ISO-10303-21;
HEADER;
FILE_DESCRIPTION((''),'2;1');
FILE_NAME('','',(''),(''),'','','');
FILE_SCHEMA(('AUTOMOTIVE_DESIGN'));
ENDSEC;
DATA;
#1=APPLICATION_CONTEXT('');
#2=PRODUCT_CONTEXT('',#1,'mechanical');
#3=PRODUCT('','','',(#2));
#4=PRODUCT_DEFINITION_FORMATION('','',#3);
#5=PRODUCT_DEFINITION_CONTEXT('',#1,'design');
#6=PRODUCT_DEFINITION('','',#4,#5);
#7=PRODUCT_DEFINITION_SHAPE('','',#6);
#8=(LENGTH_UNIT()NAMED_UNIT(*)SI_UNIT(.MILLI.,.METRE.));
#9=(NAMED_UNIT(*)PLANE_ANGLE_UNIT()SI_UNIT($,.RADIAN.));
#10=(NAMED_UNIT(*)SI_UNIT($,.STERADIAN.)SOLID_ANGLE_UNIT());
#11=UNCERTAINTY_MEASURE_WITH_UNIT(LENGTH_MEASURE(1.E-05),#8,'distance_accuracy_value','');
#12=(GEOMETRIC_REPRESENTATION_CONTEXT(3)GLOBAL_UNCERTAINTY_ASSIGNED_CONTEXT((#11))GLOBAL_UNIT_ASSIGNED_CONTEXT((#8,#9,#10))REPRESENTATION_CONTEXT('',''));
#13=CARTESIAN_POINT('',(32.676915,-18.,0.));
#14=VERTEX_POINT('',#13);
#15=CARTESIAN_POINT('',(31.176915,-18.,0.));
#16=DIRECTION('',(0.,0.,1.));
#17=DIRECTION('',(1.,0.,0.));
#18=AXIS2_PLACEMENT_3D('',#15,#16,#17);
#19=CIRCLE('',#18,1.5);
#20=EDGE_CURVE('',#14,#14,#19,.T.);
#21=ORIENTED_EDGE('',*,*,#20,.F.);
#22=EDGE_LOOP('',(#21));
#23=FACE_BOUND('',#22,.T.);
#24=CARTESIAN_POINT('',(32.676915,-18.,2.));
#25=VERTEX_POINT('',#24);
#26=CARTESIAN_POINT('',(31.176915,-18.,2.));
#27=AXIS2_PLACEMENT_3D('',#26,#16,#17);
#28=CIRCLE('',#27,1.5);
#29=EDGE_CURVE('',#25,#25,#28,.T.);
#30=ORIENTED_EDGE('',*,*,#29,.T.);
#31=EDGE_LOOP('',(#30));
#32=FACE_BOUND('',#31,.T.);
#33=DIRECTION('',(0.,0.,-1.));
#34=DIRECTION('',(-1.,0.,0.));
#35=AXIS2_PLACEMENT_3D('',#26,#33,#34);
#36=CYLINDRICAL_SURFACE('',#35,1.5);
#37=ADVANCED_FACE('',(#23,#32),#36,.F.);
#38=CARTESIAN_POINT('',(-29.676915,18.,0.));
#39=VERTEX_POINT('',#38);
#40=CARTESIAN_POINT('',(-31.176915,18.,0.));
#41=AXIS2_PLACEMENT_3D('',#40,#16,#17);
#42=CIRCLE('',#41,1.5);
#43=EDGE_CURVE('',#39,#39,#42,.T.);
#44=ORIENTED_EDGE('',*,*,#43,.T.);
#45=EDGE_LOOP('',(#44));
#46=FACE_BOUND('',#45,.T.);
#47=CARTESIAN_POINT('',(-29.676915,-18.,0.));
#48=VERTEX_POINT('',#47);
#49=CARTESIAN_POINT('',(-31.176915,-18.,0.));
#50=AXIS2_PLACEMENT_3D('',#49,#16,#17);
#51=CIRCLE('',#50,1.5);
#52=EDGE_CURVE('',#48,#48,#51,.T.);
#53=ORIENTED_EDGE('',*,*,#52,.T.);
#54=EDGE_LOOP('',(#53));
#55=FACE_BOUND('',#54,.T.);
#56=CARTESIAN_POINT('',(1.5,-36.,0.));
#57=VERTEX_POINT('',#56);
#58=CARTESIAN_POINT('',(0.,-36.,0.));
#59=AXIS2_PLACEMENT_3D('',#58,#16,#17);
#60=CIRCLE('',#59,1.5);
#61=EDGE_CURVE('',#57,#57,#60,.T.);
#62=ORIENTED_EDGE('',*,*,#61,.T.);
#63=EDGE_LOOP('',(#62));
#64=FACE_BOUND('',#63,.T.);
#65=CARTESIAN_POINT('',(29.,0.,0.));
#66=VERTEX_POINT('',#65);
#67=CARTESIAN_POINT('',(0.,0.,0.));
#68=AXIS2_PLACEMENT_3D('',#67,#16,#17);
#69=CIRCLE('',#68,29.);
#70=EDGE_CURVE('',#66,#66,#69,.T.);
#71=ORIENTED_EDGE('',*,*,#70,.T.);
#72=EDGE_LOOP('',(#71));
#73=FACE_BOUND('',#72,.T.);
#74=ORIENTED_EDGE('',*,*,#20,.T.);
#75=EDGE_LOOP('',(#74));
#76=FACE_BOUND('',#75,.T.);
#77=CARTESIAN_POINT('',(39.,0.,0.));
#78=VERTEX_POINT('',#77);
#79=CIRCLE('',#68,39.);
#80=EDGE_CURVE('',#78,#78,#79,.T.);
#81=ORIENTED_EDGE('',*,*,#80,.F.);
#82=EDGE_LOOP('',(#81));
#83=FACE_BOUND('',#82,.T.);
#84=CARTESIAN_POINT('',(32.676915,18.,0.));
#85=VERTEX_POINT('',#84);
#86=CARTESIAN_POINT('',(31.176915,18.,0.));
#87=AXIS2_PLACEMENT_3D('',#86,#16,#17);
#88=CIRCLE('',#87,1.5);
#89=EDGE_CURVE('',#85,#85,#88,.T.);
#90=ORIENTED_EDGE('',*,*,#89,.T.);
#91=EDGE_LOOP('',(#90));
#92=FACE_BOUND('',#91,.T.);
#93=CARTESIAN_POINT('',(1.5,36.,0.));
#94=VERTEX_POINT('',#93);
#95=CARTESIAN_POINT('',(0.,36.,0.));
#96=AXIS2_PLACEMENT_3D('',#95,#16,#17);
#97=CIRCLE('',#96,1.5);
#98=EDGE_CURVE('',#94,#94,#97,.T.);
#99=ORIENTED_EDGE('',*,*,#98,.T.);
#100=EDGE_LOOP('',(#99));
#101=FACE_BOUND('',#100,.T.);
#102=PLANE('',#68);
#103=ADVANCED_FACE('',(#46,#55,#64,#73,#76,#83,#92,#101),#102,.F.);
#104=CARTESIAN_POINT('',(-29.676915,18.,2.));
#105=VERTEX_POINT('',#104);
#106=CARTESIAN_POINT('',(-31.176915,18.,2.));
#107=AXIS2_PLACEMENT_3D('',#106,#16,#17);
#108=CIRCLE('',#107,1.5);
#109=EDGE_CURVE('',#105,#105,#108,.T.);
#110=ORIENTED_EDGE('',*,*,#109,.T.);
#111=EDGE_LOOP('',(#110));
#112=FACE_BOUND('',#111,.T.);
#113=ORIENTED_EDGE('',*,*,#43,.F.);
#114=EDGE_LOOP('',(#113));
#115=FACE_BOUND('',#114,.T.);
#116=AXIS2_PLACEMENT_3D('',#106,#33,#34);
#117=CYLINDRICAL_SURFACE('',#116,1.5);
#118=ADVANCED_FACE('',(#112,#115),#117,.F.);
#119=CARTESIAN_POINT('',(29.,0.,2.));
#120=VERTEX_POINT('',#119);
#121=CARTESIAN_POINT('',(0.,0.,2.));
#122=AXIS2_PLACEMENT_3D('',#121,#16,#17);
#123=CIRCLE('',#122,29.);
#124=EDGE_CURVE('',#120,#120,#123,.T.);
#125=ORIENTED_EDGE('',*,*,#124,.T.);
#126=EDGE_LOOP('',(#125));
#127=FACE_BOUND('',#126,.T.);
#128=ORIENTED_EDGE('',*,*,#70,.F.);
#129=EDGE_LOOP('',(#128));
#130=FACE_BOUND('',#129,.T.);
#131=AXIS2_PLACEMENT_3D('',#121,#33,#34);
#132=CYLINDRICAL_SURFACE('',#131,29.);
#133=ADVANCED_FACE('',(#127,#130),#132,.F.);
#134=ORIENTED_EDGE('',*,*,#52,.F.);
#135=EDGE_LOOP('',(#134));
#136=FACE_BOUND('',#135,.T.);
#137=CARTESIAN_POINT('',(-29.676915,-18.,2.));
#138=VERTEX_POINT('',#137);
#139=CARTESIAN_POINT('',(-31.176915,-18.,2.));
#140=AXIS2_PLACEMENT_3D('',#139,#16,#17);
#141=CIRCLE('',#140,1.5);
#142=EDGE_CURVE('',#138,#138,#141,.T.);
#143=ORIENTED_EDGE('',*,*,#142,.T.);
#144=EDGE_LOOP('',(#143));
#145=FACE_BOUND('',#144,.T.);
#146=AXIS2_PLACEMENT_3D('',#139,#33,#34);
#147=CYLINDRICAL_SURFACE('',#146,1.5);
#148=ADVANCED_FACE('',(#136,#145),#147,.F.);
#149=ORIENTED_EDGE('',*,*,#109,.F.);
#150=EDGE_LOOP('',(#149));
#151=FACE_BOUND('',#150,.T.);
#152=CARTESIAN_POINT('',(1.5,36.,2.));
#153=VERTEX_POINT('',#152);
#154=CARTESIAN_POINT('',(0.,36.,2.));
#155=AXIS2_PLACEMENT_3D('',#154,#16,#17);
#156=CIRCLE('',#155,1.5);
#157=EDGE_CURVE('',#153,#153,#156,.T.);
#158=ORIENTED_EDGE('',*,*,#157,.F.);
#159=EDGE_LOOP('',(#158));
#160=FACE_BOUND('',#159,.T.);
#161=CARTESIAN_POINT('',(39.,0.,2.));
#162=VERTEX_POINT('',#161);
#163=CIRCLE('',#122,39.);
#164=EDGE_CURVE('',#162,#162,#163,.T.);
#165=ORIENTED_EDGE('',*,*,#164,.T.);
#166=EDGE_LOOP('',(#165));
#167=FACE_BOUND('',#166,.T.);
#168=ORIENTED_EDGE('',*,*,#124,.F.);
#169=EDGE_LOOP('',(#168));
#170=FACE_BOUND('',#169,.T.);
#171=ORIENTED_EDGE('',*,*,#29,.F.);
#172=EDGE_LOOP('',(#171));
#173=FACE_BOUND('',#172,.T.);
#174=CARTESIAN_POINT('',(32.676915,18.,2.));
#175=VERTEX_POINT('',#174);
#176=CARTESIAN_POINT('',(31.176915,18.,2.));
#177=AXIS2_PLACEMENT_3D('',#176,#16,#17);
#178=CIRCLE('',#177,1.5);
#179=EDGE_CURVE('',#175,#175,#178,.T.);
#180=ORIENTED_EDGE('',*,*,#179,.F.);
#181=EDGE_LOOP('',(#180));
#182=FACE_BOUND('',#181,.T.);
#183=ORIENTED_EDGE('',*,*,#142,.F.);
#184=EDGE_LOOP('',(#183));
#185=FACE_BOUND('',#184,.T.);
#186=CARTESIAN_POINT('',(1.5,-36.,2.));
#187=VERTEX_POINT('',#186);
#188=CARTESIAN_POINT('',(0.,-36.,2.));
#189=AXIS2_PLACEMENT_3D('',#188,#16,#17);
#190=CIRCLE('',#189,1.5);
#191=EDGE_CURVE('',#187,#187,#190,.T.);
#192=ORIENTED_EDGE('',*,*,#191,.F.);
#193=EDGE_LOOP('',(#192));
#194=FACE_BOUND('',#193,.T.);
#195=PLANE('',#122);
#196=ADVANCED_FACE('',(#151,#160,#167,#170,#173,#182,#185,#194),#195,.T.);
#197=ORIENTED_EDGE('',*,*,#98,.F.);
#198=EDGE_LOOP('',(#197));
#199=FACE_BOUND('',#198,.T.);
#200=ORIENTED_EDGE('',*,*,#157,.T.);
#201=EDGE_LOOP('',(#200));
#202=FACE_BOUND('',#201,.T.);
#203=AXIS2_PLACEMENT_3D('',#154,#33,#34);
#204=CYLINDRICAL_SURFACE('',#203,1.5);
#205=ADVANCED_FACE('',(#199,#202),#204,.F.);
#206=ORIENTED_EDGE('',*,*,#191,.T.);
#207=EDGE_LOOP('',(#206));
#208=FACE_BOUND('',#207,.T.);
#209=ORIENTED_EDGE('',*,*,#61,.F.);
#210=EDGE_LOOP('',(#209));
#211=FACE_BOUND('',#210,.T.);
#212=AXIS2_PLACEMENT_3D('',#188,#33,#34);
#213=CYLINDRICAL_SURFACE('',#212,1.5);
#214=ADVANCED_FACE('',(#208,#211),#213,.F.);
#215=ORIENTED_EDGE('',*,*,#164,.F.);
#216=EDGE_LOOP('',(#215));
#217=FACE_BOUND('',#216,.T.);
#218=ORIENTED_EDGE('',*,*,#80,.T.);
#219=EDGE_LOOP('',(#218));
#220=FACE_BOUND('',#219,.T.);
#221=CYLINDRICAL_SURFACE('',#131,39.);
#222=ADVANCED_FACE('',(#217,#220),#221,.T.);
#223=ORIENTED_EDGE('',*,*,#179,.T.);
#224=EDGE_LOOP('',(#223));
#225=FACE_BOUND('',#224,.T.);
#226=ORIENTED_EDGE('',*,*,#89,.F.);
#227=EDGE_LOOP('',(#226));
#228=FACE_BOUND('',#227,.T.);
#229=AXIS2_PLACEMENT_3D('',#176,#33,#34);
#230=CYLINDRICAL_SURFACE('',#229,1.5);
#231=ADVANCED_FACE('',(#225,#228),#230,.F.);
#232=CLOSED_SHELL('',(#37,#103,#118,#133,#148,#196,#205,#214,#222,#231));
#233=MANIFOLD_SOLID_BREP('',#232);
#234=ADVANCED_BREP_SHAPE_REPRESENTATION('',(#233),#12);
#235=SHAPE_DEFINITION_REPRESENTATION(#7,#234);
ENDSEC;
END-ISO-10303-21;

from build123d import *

# Parameters (mm, degrees)
SKETCH1_R           = 39
SKETCH1_R_2         = 1.5
SKETCH1_R_3         = 29
BOSS_EXTRUDE2_DEPTH = 2


with BuildPart() as part:
    # Sketch1 → Boss-Extrude2 (new body)
    with BuildSketch(Plane.XY):
        Circle(SKETCH1_R)
        with Locations((-31.176914536, 18)):
            Circle(SKETCH1_R_2, mode=Mode.SUBTRACT)
        with Locations((-31.176914536, -18)):
            Circle(SKETCH1_R_2, mode=Mode.SUBTRACT)
        with Locations((0, -36)):
            Circle(SKETCH1_R_2, mode=Mode.SUBTRACT)
        with Locations((31.176914536, -18)):
            Circle(SKETCH1_R_2, mode=Mode.SUBTRACT)
        with Locations((31.176914536, 18)):
            Circle(SKETCH1_R_2, mode=Mode.SUBTRACT)
        with Locations((0, 36)):
            Circle(SKETCH1_R_2, mode=Mode.SUBTRACT)
        Circle(SKETCH1_R_3, mode=Mode.SUBTRACT)
    extrude(amount=BOSS_EXTRUDE2_DEPTH)


solid = part.part
